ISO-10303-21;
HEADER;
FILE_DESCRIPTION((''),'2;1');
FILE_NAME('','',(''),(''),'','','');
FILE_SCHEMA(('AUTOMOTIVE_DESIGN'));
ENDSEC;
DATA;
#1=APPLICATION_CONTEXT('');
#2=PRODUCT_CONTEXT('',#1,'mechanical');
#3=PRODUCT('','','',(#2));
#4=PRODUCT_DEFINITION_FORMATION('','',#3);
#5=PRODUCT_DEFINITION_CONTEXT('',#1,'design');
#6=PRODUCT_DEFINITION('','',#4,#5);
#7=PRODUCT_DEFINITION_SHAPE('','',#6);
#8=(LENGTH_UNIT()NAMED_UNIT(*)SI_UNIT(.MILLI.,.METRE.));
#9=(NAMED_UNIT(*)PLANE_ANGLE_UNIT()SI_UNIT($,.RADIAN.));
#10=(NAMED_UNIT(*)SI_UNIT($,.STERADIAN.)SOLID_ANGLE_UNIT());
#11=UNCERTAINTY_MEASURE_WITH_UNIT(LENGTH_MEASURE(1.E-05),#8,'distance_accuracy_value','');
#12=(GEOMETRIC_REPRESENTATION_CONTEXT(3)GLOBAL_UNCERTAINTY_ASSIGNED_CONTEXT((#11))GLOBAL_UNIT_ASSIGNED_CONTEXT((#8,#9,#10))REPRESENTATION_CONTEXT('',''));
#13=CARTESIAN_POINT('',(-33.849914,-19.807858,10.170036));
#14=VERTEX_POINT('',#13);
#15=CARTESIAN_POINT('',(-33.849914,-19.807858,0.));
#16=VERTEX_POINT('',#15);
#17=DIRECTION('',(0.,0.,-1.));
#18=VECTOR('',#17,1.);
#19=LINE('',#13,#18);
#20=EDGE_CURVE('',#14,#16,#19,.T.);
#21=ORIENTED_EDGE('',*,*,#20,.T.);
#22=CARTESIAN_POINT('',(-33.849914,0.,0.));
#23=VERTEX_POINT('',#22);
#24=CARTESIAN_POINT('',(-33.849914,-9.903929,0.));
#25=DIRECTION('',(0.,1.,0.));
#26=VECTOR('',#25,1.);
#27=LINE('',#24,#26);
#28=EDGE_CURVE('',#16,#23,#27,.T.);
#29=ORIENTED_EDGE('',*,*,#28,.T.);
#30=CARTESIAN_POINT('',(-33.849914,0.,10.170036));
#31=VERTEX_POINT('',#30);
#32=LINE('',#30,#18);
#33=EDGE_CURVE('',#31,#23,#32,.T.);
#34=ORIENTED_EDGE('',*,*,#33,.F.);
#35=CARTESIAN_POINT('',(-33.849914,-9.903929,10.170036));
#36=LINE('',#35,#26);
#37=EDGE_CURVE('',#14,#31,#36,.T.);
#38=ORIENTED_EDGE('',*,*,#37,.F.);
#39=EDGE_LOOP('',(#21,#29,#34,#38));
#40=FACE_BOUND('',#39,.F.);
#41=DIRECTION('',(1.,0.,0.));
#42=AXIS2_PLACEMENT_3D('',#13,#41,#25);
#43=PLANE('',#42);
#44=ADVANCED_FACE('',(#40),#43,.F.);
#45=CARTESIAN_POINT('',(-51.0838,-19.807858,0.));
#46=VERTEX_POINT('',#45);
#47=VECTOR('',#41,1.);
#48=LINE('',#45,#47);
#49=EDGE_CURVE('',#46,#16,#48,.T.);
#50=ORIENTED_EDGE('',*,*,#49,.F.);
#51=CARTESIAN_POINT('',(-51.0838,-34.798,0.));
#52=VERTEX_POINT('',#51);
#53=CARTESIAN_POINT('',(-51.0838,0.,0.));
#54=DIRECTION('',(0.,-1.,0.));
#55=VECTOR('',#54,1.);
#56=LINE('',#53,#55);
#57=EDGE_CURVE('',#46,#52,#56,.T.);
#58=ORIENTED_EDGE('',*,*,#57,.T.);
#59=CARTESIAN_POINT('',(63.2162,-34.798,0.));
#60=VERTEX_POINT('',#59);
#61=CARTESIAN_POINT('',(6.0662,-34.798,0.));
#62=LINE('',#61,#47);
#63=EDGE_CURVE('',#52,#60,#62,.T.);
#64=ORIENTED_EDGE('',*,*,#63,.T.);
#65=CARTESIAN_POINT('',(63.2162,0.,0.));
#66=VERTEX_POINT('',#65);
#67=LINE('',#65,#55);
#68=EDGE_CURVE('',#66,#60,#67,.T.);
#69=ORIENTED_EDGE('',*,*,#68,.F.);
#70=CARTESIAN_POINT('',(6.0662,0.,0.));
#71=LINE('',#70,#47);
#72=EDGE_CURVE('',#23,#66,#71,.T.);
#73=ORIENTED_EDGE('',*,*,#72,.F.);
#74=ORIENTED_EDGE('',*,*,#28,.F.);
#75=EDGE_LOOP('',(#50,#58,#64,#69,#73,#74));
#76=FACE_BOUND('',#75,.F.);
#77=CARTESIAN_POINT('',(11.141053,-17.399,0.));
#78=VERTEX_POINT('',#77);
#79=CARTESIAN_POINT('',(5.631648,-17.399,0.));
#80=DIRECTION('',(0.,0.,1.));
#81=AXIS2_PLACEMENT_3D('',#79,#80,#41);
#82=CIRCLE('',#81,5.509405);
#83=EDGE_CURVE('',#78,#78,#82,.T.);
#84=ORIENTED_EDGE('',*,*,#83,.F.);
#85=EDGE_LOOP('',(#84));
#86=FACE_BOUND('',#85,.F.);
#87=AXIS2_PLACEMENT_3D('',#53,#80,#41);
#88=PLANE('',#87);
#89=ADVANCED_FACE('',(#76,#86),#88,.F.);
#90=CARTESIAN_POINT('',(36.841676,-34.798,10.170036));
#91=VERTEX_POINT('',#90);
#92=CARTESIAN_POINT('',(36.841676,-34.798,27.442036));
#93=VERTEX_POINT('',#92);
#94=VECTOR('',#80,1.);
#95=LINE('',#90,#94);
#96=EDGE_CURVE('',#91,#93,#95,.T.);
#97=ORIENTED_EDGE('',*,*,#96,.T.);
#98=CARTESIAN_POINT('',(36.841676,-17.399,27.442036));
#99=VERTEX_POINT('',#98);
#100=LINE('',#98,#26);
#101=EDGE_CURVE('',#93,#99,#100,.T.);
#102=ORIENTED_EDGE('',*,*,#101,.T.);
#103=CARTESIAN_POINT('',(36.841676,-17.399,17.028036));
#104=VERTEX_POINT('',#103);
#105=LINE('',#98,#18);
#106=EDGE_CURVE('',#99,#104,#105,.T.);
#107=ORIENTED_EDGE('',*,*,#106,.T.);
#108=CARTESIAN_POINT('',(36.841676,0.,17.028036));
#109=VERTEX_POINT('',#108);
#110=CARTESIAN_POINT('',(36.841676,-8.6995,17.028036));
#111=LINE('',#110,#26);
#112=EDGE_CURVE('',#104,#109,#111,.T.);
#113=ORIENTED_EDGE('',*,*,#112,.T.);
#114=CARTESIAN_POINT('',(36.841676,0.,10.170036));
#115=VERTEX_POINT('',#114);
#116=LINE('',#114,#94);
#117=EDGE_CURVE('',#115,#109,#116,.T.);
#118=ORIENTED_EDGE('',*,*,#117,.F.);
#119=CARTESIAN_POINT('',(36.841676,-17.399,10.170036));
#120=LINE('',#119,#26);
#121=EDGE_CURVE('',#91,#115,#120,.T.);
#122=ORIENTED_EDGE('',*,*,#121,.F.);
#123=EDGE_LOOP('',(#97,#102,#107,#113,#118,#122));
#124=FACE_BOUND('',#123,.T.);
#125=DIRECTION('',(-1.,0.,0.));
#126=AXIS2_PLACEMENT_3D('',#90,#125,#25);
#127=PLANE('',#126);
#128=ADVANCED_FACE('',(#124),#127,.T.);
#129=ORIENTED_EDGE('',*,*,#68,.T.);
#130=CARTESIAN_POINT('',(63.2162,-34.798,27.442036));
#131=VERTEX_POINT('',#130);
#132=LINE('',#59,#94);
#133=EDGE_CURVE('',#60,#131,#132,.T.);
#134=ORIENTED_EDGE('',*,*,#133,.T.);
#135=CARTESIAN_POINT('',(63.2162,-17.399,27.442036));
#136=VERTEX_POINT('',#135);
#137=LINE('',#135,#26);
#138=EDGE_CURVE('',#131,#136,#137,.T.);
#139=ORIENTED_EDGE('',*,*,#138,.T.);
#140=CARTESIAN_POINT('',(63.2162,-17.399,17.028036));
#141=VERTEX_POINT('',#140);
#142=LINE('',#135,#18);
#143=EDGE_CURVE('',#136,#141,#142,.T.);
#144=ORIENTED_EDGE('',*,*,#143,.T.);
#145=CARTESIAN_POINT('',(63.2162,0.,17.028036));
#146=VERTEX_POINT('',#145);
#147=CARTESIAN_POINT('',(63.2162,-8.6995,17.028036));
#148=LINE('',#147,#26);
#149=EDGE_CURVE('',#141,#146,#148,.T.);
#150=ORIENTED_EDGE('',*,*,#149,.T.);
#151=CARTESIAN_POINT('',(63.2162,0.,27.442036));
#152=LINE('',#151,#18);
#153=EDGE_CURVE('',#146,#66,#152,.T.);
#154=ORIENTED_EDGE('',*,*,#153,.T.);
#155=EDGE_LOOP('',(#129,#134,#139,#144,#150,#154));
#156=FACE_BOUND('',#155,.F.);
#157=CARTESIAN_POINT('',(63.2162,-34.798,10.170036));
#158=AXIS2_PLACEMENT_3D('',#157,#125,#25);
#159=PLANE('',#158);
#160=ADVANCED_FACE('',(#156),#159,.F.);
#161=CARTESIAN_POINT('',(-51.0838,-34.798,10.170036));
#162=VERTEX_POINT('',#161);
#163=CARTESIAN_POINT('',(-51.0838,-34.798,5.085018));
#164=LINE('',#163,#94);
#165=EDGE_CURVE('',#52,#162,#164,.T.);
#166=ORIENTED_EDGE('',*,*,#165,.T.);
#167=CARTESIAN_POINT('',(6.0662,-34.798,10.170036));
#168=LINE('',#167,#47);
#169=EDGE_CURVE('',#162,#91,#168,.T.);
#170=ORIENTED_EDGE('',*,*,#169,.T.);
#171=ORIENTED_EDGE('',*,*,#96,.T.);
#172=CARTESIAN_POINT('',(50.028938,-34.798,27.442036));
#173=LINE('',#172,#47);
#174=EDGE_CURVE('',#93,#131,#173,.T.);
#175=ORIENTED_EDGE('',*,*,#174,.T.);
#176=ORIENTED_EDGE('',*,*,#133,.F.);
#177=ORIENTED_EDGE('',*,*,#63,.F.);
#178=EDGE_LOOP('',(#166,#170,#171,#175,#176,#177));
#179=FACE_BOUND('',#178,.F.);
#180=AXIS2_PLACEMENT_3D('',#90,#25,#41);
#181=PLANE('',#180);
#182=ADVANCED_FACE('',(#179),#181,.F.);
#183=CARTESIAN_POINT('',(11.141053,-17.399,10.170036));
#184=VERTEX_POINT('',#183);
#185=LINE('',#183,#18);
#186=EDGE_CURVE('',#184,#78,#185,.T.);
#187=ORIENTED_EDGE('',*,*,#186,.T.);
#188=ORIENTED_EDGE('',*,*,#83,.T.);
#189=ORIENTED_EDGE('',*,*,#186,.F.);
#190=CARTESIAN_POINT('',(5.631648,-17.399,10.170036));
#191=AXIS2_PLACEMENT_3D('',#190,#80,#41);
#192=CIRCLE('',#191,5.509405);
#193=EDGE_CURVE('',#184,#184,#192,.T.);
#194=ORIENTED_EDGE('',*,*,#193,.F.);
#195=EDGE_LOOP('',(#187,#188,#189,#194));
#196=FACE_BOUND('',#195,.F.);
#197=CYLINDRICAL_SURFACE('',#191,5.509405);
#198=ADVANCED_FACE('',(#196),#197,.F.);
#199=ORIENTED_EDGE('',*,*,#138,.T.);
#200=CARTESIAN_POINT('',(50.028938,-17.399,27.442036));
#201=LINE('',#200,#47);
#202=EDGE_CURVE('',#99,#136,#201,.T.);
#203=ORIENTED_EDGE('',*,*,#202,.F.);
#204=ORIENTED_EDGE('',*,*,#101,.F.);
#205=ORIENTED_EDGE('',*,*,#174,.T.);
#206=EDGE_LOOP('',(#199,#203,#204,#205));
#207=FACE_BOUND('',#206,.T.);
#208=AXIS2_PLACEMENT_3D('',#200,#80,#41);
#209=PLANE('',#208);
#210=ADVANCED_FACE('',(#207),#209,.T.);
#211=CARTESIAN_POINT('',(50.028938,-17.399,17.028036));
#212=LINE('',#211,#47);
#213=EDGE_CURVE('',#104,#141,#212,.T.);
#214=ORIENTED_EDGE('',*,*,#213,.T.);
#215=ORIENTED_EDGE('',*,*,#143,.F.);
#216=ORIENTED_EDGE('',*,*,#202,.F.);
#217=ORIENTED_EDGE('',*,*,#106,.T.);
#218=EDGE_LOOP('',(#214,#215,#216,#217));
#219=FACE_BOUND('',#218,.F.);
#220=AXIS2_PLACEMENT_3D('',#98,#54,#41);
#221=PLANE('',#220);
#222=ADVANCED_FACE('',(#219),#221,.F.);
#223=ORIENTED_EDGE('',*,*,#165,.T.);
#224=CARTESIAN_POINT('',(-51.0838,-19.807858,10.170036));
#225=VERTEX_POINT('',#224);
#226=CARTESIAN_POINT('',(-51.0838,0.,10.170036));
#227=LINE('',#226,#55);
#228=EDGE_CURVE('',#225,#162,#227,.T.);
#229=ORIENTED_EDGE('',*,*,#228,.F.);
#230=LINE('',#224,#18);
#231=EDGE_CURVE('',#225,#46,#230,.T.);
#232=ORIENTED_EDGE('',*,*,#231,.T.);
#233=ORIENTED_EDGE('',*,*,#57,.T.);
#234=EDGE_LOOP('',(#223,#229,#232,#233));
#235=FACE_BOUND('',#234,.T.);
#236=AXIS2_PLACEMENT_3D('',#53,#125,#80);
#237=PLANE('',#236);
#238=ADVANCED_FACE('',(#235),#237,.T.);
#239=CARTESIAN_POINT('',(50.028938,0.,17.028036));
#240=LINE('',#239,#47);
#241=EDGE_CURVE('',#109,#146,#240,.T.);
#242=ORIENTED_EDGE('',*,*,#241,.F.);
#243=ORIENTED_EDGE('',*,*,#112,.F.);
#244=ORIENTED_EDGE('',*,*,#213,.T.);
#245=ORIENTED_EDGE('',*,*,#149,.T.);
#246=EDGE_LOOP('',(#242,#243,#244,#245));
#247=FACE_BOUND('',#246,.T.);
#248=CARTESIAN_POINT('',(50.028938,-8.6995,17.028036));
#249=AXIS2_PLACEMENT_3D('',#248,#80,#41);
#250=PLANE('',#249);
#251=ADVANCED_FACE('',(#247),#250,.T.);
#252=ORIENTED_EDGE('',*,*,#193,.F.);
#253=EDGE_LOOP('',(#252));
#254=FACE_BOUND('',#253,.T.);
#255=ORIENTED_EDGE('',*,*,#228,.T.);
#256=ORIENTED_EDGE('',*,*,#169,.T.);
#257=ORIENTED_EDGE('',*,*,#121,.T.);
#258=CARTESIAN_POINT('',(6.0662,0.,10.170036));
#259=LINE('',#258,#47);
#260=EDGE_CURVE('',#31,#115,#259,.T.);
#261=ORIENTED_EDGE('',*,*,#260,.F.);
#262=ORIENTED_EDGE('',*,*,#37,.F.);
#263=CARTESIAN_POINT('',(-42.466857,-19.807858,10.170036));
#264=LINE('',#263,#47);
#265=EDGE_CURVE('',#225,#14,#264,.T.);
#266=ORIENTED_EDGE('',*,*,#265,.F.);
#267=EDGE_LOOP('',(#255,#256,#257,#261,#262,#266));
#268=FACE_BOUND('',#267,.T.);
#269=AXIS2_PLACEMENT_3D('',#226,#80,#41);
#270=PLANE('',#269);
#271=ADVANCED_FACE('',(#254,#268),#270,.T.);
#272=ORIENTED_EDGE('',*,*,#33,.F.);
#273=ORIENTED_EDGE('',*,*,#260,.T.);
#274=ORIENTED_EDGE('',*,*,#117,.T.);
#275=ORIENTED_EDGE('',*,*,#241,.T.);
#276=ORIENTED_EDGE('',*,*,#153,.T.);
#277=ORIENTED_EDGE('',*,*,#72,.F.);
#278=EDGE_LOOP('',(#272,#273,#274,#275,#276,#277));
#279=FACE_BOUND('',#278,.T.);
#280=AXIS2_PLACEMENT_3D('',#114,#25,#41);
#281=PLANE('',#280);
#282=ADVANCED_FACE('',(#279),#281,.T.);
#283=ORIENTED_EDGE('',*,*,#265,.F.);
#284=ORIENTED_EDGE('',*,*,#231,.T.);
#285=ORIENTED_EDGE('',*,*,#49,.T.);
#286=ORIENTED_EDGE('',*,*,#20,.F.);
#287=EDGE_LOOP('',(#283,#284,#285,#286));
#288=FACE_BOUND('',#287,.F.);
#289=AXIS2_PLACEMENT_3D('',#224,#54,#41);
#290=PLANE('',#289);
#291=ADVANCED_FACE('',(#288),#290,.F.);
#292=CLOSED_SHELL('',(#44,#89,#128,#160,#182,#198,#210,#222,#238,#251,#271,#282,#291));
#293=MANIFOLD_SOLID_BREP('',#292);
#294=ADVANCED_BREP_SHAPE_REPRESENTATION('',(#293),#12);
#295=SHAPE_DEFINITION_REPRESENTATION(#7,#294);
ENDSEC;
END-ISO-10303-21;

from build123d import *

# Parameters (mm, degrees)
F0_W     = 114.3
F0_H     = 10.170036
F1_DEPTH = 34.798
F2_W     = 17.233886
F2_H     = 19.807858
F3_DEPTH = 25.4
F4_W     = 26.374524
F4_H     = 34.798
F5_DEPTH = 17.272
F6_W     = 26.374524
F6_H     = 17.399
F7_DEPTH = 10.414
F8_R     = 5.509405
F9_DEPTH = 35.56


with BuildPart() as f1:
    # F0 (on Front) → F1 (new body)
    with BuildSketch(Plane.XZ):
        with Locations((6.0662, 5.085018)):
            Rectangle(F0_W, F0_H)
    extrude(amount=F1_DEPTH)

    # F2 (on face) → F3 (cut)
    with BuildSketch(Plane.XY.offset(10.170036)):
        with Locations((-42.466857, -9.903929)):
            Rectangle(F2_W, F2_H)
    extrude(amount=-F3_DEPTH, mode=Mode.SUBTRACT)

    # F4 (on face) → F5 (join)
    with BuildSketch(Plane.XY.offset(10.170036)):
        with Locations((50.028938, -17.399)):
            Rectangle(F4_W, F4_H)
    extrude(amount=F5_DEPTH)

    # F6 (on face) → F7 (cut)
    with BuildSketch(Plane.XY.offset(27.442036)):
        with Locations((50.028938, -8.6995)):
            Rectangle(F6_W, F6_H)
    extrude(amount=-F7_DEPTH, mode=Mode.SUBTRACT)

    # F8 (on face) → F9 (cut)
    with BuildSketch(Plane.XY.offset(10.170036)):
        with Locations((5.631648, -17.399)):
            Circle(F8_R)
    extrude(amount=-F9_DEPTH, mode=Mode.SUBTRACT)


solid = f1.part
